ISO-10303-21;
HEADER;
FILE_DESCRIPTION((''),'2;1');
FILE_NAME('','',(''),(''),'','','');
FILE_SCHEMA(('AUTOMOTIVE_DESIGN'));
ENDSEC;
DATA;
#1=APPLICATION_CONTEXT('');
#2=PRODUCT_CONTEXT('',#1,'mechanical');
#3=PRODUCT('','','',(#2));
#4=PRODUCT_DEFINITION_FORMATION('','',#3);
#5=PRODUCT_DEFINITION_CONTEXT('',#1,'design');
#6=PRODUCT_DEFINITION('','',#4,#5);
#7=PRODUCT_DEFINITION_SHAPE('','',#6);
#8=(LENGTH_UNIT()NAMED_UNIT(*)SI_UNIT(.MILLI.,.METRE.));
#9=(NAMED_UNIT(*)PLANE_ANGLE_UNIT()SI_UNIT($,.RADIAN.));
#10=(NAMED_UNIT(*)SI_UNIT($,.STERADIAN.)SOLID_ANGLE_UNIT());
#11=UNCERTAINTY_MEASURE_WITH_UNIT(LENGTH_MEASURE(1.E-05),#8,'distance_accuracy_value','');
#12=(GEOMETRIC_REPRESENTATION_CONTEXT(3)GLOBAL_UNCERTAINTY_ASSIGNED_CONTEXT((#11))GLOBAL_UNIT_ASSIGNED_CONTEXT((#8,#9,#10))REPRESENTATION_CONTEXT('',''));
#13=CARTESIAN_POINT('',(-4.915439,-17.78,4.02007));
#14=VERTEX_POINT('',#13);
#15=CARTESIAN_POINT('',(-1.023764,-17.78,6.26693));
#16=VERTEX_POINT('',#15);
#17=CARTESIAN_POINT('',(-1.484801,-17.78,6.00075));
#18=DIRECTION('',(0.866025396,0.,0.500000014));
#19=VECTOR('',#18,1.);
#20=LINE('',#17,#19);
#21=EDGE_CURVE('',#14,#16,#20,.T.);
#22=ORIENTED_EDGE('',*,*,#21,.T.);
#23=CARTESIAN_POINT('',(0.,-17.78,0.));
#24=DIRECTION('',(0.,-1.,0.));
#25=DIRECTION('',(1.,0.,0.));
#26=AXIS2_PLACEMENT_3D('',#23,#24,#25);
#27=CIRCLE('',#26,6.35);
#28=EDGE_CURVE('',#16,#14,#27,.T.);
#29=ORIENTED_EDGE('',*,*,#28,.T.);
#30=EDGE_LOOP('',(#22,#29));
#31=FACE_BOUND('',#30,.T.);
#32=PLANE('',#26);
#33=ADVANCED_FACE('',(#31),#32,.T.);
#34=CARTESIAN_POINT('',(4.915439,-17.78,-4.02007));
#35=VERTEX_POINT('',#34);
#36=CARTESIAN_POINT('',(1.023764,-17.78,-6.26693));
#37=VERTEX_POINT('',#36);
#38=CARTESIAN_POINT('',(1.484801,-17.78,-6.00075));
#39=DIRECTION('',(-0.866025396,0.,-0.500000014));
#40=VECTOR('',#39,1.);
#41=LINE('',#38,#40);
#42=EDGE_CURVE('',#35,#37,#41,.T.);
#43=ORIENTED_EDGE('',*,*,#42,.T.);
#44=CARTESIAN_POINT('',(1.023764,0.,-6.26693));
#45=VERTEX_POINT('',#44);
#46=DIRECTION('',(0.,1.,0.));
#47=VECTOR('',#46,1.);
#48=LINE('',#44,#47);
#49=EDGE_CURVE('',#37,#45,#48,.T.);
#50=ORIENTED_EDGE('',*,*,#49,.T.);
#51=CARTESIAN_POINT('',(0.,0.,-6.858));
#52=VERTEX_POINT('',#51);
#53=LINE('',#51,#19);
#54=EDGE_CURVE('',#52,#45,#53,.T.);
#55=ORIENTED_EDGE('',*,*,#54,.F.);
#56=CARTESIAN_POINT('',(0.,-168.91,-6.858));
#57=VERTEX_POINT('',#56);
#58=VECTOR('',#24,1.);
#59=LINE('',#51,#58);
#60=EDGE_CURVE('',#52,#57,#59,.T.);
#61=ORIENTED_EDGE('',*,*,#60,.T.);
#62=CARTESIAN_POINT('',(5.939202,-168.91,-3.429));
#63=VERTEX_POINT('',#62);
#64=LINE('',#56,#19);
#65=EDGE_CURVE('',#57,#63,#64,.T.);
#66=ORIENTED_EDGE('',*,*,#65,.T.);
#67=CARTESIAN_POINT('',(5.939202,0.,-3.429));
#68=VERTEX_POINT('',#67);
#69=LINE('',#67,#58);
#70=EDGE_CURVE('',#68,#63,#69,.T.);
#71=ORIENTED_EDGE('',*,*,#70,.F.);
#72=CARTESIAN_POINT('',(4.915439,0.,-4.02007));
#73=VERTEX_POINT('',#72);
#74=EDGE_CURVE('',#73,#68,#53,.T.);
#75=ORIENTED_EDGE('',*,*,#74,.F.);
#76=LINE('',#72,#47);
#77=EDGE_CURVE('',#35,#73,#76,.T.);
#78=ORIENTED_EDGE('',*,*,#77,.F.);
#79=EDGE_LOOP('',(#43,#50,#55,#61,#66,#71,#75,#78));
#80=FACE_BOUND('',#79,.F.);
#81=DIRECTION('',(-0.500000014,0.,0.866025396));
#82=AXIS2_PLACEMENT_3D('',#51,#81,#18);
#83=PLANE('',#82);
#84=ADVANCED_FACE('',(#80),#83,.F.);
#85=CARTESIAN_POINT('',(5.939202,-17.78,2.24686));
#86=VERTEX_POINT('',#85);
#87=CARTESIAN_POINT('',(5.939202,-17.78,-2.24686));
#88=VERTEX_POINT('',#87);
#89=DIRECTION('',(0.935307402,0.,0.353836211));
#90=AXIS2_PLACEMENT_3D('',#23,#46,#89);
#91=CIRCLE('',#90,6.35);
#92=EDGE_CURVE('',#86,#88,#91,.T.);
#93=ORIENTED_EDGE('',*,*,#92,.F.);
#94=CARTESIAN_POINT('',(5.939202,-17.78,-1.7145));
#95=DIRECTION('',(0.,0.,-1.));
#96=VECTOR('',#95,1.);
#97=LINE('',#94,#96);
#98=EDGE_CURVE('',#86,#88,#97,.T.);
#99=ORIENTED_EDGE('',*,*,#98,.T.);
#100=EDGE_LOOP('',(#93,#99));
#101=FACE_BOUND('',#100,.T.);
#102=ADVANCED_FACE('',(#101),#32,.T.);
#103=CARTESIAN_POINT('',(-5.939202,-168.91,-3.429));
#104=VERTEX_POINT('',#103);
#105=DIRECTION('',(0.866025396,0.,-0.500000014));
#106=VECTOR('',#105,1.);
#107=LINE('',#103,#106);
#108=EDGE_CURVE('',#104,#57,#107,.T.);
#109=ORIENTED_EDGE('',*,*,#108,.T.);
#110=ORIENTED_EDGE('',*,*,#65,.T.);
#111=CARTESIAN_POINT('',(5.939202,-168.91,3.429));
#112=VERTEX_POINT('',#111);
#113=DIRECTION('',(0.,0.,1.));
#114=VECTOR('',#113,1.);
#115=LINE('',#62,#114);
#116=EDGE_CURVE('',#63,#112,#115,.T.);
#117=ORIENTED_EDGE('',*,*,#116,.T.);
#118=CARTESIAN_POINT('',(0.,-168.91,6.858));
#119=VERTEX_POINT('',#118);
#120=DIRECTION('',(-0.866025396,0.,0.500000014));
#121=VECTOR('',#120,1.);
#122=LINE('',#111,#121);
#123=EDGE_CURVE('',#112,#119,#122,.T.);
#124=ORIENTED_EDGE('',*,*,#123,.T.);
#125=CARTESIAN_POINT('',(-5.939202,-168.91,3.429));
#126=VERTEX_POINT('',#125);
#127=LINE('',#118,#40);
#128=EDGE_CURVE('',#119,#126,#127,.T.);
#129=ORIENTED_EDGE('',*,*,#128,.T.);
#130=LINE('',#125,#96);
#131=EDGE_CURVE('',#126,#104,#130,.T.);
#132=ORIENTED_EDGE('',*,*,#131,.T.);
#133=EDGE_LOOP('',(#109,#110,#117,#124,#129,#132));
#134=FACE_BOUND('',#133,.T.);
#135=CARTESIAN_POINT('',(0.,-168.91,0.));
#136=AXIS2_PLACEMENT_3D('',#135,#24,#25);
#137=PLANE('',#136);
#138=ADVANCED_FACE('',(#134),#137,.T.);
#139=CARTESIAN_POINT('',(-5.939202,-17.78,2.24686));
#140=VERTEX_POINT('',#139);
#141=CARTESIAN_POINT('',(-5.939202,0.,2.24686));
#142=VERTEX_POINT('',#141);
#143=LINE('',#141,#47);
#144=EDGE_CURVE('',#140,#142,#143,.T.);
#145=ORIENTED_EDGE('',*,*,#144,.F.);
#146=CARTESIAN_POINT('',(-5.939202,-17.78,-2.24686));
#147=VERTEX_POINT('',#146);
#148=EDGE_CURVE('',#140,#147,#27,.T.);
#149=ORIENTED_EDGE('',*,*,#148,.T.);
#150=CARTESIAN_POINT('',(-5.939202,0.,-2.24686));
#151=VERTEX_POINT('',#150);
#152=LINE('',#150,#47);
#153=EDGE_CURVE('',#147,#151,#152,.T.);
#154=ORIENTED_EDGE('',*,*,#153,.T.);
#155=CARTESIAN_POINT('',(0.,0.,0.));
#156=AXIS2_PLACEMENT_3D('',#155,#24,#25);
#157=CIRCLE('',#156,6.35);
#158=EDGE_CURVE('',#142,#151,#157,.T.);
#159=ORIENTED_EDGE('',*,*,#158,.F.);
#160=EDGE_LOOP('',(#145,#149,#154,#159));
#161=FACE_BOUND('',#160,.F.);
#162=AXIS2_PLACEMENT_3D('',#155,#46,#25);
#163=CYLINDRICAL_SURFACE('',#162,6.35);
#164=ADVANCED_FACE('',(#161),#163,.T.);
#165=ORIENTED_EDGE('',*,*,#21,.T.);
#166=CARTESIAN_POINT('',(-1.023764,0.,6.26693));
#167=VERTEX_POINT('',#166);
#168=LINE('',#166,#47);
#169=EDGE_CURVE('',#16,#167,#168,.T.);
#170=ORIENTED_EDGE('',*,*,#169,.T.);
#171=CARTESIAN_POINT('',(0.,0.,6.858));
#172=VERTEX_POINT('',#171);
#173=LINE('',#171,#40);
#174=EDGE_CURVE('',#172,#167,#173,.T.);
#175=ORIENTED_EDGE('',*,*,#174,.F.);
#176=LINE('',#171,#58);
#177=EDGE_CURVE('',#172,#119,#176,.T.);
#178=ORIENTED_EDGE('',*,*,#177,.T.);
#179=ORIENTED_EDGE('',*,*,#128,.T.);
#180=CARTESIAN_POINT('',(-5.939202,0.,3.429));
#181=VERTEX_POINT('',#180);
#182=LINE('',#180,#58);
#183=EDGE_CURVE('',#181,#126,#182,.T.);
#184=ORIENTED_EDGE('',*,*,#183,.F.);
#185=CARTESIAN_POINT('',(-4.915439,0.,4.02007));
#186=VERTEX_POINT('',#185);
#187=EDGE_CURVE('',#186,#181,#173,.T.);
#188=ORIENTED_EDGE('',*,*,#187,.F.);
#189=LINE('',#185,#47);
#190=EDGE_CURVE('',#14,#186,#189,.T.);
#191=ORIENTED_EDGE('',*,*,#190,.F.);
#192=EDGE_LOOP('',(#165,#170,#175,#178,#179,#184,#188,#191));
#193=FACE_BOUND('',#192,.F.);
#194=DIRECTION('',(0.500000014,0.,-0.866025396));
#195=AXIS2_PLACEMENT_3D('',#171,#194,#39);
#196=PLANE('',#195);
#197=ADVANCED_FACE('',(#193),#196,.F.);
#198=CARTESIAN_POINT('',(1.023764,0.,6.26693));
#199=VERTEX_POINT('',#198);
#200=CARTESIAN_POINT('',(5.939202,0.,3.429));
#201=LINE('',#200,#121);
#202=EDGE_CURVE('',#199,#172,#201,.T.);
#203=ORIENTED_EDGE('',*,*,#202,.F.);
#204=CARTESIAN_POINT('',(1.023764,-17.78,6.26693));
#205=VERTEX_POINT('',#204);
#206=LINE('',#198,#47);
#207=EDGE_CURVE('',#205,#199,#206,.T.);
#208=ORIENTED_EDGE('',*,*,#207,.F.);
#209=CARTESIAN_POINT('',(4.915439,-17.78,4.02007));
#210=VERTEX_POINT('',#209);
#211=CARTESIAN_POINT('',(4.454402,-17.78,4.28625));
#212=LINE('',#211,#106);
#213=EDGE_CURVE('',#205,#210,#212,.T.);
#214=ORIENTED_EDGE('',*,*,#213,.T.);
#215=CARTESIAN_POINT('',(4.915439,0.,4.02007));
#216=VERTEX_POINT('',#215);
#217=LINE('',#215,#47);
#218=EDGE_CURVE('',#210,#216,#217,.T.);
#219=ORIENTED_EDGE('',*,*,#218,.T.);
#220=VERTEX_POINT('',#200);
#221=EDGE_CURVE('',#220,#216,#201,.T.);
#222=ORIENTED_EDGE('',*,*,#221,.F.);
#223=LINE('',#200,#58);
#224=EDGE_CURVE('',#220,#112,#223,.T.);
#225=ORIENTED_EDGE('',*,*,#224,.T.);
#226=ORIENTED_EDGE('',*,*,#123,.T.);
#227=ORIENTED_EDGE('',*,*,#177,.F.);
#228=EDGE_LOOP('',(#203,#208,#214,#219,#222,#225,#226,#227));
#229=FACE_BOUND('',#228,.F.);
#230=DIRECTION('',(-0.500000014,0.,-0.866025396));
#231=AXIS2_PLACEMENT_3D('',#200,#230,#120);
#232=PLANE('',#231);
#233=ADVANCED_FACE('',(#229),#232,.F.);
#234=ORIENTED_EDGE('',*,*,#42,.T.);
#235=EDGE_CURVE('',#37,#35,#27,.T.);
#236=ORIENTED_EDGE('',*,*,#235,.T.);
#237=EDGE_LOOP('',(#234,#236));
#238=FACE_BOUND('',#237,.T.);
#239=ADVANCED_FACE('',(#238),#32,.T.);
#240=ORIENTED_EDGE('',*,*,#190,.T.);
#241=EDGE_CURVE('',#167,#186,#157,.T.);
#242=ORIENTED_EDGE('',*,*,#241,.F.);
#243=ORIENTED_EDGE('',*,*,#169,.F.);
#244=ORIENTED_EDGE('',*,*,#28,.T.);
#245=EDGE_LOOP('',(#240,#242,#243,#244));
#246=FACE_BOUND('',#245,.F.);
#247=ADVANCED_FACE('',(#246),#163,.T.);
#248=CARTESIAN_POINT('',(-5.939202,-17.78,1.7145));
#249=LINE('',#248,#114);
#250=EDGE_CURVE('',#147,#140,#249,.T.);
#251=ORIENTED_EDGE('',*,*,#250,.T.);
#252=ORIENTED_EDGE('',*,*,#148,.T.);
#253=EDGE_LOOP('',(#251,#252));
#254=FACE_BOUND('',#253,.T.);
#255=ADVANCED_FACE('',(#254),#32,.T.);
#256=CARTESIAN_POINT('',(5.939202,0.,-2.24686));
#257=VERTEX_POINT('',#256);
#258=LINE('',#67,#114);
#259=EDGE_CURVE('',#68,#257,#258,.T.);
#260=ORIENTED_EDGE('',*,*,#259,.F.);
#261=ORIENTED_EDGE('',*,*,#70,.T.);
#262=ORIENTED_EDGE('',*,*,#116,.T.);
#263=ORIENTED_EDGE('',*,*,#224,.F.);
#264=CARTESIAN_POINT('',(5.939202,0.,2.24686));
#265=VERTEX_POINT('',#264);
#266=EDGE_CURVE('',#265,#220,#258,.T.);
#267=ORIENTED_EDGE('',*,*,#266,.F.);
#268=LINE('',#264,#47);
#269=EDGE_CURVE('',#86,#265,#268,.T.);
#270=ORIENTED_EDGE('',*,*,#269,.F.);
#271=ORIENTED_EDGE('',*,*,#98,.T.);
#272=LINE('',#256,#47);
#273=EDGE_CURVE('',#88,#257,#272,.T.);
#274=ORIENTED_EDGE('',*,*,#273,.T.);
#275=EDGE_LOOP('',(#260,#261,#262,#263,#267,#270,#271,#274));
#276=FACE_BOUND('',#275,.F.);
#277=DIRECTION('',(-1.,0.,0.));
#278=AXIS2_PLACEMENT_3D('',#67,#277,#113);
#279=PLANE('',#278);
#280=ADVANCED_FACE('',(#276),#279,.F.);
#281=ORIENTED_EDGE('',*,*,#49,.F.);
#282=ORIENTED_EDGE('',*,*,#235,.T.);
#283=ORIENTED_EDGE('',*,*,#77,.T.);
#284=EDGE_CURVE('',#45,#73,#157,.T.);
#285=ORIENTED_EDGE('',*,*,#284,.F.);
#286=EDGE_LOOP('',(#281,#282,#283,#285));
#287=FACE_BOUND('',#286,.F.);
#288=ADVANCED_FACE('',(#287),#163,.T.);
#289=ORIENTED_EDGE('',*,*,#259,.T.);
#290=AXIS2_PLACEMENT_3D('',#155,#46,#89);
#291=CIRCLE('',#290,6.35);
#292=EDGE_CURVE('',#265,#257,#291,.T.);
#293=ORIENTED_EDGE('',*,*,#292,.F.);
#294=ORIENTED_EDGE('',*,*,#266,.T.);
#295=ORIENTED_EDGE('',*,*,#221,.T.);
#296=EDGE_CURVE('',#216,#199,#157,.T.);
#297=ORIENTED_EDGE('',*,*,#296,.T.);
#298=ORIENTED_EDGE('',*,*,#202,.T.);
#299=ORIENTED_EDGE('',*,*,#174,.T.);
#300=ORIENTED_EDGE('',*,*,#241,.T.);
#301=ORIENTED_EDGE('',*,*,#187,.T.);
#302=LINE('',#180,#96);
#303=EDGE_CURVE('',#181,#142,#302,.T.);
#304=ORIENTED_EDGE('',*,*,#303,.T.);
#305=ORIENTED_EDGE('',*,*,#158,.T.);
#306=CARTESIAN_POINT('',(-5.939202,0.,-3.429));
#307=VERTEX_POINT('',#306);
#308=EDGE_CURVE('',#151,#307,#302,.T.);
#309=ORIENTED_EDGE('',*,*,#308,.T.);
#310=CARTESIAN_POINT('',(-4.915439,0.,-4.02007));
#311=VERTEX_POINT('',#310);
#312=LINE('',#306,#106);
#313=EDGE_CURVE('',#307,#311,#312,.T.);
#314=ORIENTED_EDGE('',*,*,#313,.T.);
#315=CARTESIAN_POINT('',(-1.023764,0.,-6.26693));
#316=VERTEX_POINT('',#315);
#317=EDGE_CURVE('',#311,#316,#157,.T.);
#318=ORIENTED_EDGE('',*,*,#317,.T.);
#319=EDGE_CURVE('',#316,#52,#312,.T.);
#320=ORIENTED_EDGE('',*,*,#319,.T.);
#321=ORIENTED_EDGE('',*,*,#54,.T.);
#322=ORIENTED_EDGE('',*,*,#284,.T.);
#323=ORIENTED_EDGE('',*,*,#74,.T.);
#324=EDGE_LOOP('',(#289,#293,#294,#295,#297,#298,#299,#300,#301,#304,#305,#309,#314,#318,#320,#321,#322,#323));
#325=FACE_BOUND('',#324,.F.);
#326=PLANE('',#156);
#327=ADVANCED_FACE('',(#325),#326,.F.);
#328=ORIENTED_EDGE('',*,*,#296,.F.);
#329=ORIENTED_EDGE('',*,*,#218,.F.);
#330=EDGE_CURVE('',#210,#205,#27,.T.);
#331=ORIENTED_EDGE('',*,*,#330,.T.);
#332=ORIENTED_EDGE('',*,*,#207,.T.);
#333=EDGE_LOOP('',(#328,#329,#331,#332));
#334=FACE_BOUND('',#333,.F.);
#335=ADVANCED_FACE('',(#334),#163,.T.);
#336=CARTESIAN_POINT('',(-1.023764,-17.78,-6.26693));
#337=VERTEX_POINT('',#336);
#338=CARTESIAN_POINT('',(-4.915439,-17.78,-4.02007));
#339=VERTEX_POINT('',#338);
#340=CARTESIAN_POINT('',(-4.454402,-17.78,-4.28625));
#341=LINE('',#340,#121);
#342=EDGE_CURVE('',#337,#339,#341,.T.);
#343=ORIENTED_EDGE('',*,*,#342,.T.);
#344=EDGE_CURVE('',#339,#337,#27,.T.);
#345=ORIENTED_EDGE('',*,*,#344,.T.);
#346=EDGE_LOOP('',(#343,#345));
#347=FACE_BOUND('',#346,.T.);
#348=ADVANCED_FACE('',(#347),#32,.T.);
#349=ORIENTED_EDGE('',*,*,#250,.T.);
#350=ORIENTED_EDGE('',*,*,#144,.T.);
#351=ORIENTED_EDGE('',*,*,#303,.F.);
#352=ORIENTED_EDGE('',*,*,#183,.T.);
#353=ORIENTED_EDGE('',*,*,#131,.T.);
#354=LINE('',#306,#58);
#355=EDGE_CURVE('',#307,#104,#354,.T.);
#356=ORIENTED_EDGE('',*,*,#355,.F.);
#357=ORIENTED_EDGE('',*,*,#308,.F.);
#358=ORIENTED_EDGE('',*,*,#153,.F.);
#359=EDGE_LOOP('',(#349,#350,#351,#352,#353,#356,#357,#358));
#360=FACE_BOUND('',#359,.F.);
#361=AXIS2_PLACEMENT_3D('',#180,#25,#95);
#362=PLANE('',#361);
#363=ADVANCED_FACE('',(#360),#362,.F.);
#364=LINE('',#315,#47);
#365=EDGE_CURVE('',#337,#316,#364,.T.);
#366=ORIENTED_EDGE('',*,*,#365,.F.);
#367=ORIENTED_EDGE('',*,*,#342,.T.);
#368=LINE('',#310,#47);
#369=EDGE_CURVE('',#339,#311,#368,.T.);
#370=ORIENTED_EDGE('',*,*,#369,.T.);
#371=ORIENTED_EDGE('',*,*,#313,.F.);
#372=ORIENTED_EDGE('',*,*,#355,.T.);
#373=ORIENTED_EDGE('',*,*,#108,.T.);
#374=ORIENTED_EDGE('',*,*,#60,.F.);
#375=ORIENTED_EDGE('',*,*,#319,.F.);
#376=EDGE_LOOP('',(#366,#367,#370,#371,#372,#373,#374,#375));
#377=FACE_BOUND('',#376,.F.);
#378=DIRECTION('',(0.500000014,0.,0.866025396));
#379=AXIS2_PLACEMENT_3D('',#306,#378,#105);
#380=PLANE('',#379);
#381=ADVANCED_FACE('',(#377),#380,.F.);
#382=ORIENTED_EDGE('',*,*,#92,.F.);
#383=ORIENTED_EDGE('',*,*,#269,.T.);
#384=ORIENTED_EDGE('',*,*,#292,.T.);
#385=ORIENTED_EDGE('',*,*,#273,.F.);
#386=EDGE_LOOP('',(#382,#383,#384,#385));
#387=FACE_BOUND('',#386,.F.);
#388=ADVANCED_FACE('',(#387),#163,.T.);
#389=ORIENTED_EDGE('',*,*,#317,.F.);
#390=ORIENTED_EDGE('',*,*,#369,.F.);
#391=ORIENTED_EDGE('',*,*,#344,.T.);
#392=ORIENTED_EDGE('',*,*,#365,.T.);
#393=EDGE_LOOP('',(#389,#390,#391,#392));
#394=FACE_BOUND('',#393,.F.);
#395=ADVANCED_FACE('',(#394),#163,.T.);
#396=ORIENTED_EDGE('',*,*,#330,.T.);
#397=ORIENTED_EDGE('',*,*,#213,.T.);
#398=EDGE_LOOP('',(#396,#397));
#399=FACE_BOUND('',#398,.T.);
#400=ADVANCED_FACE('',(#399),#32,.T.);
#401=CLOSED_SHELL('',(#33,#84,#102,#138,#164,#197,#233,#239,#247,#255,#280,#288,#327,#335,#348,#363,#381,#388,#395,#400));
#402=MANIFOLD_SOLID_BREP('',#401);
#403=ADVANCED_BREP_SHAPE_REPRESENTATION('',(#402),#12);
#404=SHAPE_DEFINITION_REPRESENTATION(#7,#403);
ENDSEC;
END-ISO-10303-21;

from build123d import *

# Parameters (mm, degrees)
F0_R     = 6.35
F1_DEPTH = 17.78
F3_DEPTH = 168.91


with BuildPart() as f1:
    # F0 (on Front) → F1 (new body)
    with BuildSketch(Plane.XZ):
        Circle(F0_R)
    extrude(amount=F1_DEPTH)

    # F2 (on Front) → F3 (join)
    with BuildSketch(Plane.XZ):
        Polygon((-5.939202, -3.429), (0, -6.858), (5.939202, -3.429), (5.939202, 3.429), (0, 6.858), (-5.939202, 3.429), align=None)
    extrude(amount=F3_DEPTH)


solid = f1.part
